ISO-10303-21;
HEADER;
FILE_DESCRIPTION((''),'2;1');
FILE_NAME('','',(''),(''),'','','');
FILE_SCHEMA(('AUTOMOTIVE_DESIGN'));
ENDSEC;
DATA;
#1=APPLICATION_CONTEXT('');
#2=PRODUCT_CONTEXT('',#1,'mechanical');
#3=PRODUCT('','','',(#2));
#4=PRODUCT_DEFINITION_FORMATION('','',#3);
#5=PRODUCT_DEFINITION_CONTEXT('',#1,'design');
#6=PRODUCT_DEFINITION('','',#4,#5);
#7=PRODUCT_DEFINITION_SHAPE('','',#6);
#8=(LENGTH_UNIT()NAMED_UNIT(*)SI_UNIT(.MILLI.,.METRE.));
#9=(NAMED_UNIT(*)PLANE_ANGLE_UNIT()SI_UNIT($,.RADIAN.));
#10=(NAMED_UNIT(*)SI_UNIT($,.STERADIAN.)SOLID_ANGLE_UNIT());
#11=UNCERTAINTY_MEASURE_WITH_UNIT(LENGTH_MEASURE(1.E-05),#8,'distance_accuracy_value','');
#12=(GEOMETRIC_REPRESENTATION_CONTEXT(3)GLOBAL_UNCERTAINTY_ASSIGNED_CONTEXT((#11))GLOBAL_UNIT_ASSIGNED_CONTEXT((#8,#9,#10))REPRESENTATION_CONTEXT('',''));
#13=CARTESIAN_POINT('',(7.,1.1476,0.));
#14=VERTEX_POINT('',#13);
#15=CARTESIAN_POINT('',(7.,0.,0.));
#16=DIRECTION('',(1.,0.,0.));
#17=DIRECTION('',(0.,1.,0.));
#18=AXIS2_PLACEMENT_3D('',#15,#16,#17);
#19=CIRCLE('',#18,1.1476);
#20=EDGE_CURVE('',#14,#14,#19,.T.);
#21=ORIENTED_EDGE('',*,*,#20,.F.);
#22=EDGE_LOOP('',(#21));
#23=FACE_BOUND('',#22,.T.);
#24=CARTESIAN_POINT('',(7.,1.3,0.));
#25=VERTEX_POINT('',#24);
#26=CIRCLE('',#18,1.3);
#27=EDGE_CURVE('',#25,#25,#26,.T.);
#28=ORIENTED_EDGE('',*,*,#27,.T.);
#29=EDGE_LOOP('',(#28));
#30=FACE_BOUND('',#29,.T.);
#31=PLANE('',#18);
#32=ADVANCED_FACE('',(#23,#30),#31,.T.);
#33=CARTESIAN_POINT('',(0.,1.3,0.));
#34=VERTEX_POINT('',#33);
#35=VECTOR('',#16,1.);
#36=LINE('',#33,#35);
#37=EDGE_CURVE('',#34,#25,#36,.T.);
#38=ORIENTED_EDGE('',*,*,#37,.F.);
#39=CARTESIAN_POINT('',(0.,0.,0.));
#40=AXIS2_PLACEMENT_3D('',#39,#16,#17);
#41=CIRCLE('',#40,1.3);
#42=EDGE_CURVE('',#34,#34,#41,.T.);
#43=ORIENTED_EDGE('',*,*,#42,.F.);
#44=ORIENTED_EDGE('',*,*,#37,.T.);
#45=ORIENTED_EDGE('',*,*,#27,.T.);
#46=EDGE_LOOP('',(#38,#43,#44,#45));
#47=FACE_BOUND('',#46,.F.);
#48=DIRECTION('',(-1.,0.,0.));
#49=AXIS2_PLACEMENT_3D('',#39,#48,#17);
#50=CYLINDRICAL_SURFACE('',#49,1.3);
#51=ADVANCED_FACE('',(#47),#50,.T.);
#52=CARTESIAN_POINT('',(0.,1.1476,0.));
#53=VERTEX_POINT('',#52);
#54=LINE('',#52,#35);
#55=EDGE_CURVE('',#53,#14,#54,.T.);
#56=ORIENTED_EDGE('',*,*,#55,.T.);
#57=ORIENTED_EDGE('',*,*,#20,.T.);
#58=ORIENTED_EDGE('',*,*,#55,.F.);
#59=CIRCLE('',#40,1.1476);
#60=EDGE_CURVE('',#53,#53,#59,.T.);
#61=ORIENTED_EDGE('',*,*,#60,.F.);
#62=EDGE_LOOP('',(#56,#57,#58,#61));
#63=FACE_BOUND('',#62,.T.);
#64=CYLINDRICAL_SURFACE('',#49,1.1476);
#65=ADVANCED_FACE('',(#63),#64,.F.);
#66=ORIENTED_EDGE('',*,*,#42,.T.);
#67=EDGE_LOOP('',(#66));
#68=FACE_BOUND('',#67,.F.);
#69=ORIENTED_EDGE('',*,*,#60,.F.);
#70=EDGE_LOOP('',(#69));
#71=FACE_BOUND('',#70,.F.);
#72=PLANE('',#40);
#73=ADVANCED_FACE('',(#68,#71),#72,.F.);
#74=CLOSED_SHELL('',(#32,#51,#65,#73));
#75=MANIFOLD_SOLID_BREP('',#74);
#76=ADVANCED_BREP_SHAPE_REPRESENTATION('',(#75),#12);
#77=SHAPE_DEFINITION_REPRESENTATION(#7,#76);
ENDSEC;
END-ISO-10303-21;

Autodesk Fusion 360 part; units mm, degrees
sketch "Sketch1" plane through (0, 0, 0) normal (1, 0, 0) x (0, 1, 0)
  circle A0 centre (0, 0) radius 1.3
  circle A1 centre (0, 0) radius 1.1476
  dimension "d1" = 2.6
  dimension "d2" = 2.2952
extrude "Extrude1" add sketch "Sketch1" along normal blind 7
equation "d2 = d1 - 0.012 in"
